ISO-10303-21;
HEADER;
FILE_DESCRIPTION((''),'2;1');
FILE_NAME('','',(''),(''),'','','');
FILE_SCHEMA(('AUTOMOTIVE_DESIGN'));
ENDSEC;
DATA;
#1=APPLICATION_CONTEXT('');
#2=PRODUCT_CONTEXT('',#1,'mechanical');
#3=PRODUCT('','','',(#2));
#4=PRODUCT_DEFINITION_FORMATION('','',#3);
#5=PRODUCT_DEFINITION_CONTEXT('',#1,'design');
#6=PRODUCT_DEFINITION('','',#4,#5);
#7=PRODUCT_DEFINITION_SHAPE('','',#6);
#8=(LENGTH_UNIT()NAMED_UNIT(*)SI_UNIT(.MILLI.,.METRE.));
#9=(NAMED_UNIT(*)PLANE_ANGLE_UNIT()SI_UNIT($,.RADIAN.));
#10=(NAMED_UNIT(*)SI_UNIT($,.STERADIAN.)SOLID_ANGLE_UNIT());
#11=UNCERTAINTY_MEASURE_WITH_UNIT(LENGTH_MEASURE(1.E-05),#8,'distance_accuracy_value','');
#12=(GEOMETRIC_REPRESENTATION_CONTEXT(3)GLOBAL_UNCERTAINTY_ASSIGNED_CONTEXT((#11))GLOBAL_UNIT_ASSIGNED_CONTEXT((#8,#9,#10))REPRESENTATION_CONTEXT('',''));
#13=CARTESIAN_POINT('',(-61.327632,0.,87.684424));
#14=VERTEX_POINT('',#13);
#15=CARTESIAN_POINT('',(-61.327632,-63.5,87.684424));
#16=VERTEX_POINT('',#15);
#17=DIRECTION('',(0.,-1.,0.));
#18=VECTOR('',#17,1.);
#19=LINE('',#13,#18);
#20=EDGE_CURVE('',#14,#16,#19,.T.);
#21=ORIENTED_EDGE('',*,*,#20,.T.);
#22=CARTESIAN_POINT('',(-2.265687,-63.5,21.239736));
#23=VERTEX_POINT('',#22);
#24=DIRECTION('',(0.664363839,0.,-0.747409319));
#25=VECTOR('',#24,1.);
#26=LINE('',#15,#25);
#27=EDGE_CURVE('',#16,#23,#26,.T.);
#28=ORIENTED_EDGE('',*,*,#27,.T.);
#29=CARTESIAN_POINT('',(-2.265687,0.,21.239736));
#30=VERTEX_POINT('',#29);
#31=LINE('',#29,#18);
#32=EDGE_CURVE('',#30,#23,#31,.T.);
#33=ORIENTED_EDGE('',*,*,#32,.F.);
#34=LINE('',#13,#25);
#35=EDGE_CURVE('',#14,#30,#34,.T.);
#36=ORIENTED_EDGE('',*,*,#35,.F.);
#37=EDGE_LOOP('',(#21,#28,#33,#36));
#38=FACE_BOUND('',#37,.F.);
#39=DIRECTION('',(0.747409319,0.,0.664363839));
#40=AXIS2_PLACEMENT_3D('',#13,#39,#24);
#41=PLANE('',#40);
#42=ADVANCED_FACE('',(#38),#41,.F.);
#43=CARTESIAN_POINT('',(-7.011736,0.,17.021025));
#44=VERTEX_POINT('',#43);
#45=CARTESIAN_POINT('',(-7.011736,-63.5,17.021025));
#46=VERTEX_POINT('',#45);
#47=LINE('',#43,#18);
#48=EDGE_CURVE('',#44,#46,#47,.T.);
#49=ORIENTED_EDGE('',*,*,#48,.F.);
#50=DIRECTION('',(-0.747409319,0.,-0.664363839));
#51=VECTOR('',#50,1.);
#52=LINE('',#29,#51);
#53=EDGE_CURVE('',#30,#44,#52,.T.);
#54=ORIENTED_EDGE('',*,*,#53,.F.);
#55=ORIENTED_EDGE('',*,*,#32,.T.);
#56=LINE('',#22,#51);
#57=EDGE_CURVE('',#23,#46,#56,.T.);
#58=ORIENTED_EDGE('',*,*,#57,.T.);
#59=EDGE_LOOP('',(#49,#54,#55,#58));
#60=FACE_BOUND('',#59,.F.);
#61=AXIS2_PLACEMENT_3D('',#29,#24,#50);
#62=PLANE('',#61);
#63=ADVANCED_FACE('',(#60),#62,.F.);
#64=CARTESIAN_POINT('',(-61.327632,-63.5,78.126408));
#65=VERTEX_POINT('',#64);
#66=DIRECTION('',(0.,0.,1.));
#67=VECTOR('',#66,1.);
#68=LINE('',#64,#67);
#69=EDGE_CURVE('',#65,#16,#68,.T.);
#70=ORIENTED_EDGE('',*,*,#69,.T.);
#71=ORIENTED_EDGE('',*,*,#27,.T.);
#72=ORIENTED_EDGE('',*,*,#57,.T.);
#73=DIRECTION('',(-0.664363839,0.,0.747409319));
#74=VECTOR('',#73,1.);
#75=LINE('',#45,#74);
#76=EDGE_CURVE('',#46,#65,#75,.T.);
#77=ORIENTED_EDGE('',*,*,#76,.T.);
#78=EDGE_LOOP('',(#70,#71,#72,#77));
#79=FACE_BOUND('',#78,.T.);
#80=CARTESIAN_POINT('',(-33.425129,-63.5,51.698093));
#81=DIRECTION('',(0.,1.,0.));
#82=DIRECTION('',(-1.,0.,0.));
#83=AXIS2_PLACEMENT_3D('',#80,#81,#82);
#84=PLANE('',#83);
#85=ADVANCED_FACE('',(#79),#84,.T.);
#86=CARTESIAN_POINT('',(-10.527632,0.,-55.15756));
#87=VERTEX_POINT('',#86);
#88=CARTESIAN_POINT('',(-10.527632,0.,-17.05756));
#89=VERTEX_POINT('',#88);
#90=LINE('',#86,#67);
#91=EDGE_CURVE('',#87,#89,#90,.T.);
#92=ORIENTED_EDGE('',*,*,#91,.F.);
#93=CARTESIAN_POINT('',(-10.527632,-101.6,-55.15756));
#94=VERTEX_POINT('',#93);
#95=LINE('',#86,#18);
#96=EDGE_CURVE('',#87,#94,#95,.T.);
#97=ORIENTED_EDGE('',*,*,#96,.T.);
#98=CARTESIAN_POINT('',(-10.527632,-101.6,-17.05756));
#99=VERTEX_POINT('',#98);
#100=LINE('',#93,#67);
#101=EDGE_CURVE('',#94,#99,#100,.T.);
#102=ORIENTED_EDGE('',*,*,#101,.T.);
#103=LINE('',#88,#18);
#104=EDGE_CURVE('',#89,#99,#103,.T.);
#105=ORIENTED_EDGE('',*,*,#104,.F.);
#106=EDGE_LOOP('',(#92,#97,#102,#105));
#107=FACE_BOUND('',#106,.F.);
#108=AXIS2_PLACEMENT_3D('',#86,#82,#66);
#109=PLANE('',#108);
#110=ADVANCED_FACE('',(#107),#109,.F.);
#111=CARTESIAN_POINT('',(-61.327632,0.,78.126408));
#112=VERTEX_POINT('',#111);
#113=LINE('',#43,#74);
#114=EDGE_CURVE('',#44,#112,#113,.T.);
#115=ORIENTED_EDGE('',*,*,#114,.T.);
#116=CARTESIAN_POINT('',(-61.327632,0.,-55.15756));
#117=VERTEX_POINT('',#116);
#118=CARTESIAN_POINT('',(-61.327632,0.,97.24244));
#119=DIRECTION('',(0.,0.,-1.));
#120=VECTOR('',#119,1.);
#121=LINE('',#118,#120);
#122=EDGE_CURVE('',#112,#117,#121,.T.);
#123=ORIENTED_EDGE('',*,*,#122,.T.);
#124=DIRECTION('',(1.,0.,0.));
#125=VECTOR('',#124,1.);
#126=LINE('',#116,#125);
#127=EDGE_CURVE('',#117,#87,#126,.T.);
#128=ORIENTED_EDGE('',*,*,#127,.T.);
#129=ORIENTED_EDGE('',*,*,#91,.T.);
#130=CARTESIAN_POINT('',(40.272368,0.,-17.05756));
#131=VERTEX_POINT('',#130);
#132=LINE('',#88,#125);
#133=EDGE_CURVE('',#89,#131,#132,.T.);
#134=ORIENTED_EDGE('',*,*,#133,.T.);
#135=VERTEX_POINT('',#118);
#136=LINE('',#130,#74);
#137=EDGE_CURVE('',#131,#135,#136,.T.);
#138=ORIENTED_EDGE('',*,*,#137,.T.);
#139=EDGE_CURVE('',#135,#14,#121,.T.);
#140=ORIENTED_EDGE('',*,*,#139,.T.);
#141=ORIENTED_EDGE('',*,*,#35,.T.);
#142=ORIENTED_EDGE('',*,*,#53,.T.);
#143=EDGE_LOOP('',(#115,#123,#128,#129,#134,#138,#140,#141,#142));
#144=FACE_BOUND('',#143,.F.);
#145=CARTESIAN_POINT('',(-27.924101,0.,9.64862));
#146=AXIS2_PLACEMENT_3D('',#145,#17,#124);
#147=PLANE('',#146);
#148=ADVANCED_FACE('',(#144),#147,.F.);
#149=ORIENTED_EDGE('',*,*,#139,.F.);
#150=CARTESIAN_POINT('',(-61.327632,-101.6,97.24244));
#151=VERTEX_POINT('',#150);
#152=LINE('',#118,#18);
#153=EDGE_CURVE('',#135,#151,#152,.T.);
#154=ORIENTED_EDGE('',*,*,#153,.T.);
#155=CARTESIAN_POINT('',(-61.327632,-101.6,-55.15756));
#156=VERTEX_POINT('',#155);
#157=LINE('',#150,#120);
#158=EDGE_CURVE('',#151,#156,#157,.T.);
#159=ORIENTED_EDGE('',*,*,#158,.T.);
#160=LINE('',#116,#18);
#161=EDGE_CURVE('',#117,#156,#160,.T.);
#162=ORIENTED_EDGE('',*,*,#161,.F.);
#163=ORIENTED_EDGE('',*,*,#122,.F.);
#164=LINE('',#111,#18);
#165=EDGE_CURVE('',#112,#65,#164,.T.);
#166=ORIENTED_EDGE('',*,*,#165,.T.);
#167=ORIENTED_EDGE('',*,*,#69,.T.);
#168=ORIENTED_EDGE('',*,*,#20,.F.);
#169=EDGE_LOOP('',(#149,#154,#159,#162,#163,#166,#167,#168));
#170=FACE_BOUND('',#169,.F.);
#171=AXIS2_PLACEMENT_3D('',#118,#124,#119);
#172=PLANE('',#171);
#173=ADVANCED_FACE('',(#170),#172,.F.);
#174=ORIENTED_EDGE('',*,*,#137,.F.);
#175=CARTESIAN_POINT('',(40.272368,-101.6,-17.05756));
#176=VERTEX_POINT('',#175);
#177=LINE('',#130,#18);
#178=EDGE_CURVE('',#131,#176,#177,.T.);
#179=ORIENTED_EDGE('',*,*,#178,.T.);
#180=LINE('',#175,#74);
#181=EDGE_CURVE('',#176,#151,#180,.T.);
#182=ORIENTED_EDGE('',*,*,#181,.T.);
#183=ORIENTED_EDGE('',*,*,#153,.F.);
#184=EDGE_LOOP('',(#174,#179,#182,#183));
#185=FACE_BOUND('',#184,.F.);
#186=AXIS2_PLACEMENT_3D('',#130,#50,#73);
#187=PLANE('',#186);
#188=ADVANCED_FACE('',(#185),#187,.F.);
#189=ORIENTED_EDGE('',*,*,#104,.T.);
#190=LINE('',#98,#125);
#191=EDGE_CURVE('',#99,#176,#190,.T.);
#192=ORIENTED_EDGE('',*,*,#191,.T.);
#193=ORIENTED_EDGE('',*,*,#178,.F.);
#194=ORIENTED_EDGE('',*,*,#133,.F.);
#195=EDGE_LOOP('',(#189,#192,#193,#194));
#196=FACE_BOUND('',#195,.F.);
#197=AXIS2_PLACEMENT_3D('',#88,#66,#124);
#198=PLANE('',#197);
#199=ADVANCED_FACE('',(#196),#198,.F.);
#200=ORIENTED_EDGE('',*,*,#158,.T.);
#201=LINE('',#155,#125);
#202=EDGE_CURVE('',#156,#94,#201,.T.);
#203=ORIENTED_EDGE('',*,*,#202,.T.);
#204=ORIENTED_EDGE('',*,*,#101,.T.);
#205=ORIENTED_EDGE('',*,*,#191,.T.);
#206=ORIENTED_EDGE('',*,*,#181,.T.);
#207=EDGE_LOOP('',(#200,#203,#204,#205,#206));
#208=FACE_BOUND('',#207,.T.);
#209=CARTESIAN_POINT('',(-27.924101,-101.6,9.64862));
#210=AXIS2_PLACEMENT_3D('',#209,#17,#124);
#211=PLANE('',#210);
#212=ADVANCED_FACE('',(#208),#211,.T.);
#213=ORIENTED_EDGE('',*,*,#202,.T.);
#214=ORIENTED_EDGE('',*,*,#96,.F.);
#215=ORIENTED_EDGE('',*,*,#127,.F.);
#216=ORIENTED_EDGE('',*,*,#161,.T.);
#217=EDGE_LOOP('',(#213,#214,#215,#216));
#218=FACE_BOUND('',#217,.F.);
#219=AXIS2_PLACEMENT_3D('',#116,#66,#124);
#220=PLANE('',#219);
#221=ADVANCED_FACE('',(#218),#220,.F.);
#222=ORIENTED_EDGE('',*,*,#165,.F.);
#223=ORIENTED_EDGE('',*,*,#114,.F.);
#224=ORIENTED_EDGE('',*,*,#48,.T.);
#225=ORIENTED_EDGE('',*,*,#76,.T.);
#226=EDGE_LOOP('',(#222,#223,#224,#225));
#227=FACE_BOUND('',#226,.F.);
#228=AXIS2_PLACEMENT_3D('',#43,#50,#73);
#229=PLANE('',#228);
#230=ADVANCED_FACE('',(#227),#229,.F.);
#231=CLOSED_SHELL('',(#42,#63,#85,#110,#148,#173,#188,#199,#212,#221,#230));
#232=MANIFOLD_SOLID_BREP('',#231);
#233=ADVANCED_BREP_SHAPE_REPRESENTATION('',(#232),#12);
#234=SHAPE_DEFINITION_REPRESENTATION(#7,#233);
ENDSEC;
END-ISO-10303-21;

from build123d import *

# Parameters (mm, degrees)
F1_DEPTH = 101.6
F3_DEPTH = 63.5


with BuildPart() as f1:
    # F0 (on Front) → F1 (new body)
    with BuildSketch(Plane.XZ):
        Polygon((-61.3276321992, 97.2424396313), (-61.3276321992, -55.1575603687), (-10.5276321992, -55.1575603687), (-10.5276321992, -17.0575603687), (40.2723678008, -17.0575603687), align=None)
    extrude(amount=F1_DEPTH)

    # F2 (on face) → F3 (cut)
    with BuildSketch(Plane(origin=(0, 0, 0), x_dir=(-1, 0, 0), z_dir=(0, 1, 0))):
        Polygon((61.3276321992, 78.1264082375), (61.3276321992, 87.6844239344), (2.2656869272, 21.2397355034), (7.0117361009, 17.0210251268), align=None)
    extrude(amount=-F3_DEPTH, mode=Mode.SUBTRACT)


solid = f1.part
